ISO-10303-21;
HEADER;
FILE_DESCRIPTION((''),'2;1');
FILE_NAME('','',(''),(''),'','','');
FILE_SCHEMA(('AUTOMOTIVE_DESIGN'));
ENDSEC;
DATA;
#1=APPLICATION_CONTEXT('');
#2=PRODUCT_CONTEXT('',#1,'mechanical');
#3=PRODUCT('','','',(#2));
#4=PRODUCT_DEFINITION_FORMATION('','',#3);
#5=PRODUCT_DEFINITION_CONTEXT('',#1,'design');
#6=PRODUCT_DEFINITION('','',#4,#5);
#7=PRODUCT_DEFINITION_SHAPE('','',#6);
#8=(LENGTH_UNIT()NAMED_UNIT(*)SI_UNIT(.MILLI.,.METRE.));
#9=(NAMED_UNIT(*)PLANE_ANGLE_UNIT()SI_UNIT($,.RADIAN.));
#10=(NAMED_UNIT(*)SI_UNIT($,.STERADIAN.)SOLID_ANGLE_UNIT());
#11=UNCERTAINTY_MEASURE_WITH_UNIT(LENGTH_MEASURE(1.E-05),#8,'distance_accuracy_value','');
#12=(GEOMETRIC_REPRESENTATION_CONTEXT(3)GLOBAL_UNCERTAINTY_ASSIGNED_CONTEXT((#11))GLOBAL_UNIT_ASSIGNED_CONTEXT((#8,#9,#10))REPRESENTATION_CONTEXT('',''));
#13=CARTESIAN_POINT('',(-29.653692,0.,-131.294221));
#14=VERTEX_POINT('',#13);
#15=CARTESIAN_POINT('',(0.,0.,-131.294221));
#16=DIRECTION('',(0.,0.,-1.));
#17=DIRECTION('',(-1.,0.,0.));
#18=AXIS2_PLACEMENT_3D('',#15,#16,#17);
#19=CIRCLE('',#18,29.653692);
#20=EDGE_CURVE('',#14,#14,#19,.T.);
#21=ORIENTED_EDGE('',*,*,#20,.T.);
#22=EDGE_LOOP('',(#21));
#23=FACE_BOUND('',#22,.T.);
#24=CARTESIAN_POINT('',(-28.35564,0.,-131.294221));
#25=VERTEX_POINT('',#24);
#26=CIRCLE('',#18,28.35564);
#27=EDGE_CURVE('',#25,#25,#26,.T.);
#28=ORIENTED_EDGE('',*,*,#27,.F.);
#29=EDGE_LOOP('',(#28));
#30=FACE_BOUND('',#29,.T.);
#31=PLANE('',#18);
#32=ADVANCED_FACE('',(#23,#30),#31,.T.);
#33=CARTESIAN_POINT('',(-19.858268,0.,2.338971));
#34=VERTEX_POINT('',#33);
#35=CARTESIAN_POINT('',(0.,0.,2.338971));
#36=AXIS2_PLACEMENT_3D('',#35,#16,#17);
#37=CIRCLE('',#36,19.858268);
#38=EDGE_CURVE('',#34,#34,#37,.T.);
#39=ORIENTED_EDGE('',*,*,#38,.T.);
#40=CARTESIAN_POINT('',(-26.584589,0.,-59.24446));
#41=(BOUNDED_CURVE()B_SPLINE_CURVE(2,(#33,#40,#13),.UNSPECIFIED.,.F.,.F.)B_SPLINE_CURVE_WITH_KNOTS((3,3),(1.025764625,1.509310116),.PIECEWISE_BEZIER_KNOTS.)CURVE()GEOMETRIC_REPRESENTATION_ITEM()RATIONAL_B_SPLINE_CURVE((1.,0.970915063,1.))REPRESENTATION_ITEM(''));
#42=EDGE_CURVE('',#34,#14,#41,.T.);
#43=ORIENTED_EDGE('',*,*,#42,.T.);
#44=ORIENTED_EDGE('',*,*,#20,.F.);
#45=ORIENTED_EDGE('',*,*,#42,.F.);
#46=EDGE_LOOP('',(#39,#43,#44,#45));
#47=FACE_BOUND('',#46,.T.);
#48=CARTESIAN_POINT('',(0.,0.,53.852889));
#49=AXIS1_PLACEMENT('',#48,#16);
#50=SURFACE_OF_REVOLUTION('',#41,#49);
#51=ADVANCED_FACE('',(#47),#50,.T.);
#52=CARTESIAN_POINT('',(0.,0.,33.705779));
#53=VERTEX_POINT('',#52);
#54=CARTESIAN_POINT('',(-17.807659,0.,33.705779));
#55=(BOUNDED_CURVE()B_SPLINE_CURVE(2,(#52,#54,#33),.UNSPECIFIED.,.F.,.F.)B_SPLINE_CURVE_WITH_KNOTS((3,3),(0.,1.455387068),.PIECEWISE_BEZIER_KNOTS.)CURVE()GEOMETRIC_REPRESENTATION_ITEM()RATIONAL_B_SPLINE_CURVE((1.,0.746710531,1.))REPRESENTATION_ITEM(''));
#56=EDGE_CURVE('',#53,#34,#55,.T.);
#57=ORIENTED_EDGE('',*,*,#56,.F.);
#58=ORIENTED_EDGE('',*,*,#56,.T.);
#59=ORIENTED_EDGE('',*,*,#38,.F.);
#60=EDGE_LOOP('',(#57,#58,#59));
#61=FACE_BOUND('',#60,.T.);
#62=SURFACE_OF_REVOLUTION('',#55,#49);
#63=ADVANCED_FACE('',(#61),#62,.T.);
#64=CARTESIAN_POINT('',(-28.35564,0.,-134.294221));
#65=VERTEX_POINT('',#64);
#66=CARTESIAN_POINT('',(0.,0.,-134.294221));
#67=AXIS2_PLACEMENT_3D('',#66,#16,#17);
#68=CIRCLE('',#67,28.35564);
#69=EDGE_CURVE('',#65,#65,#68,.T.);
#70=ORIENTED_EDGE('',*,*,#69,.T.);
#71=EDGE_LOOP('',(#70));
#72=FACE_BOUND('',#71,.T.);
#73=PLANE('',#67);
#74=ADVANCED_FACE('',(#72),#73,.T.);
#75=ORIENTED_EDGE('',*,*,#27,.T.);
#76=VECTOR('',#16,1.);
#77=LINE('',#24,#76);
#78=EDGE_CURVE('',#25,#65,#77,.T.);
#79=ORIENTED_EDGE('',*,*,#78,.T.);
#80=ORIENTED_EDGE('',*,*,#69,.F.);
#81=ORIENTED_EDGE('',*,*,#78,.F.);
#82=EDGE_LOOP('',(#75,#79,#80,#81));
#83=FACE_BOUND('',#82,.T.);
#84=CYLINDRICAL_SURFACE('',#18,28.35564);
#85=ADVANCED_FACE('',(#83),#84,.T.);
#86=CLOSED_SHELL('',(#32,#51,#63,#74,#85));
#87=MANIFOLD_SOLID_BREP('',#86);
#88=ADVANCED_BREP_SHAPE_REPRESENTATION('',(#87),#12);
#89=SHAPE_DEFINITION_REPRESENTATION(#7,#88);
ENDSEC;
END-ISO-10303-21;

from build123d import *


with BuildPart() as f1:
    # F0 (on Front) → F1 (revolve)
    with BuildSketch(Plane.XZ):
        with BuildLine():
            Line((-29.6536915112, 88.7057785988), (-28.35564, 88.7057785988))
            Line((-28.35564, 88.7057785988), (-28.35564, 85.7057785988))
            Line((-28.35564, 85.7057785988), (0, 85.7057785988))
            Line((0, 85.7057785988), (0, 88.7057785988))
            Line((0, 88.7057785988), (0, 253.7057785988))
            add(Edge.make_bspline(
                [(0, 253.7057785988), (-17.8076588784, 253.7057785988), (-19.8582683967, 222.3389712359)],
                knots=[0, 0, 0, 1.4553870678, 1.4553870678, 1.4553870678], degree=2, weights=[1, 0.7467105311, 1]))
            add(Edge.make_bspline(
                [(-19.8582683967, 222.3389712359), (-26.5845892025, 160.7555403311), (-29.6536915112, 88.7057785988)],
                knots=[1.025764625, 1.025764625, 1.025764625, 1.5093101156, 1.5093101156, 1.5093101156], degree=2, weights=[1, 0.9709150626, 1]))
        make_face()
    revolve(axis=Axis((0, 0, 273.8528892994), (0, 0, -1)))


with BuildPart() as f1_1:
    # F2: moved
    add(f1.part.moved(Location((0, 0, -220))))


solid = f1_1.part
